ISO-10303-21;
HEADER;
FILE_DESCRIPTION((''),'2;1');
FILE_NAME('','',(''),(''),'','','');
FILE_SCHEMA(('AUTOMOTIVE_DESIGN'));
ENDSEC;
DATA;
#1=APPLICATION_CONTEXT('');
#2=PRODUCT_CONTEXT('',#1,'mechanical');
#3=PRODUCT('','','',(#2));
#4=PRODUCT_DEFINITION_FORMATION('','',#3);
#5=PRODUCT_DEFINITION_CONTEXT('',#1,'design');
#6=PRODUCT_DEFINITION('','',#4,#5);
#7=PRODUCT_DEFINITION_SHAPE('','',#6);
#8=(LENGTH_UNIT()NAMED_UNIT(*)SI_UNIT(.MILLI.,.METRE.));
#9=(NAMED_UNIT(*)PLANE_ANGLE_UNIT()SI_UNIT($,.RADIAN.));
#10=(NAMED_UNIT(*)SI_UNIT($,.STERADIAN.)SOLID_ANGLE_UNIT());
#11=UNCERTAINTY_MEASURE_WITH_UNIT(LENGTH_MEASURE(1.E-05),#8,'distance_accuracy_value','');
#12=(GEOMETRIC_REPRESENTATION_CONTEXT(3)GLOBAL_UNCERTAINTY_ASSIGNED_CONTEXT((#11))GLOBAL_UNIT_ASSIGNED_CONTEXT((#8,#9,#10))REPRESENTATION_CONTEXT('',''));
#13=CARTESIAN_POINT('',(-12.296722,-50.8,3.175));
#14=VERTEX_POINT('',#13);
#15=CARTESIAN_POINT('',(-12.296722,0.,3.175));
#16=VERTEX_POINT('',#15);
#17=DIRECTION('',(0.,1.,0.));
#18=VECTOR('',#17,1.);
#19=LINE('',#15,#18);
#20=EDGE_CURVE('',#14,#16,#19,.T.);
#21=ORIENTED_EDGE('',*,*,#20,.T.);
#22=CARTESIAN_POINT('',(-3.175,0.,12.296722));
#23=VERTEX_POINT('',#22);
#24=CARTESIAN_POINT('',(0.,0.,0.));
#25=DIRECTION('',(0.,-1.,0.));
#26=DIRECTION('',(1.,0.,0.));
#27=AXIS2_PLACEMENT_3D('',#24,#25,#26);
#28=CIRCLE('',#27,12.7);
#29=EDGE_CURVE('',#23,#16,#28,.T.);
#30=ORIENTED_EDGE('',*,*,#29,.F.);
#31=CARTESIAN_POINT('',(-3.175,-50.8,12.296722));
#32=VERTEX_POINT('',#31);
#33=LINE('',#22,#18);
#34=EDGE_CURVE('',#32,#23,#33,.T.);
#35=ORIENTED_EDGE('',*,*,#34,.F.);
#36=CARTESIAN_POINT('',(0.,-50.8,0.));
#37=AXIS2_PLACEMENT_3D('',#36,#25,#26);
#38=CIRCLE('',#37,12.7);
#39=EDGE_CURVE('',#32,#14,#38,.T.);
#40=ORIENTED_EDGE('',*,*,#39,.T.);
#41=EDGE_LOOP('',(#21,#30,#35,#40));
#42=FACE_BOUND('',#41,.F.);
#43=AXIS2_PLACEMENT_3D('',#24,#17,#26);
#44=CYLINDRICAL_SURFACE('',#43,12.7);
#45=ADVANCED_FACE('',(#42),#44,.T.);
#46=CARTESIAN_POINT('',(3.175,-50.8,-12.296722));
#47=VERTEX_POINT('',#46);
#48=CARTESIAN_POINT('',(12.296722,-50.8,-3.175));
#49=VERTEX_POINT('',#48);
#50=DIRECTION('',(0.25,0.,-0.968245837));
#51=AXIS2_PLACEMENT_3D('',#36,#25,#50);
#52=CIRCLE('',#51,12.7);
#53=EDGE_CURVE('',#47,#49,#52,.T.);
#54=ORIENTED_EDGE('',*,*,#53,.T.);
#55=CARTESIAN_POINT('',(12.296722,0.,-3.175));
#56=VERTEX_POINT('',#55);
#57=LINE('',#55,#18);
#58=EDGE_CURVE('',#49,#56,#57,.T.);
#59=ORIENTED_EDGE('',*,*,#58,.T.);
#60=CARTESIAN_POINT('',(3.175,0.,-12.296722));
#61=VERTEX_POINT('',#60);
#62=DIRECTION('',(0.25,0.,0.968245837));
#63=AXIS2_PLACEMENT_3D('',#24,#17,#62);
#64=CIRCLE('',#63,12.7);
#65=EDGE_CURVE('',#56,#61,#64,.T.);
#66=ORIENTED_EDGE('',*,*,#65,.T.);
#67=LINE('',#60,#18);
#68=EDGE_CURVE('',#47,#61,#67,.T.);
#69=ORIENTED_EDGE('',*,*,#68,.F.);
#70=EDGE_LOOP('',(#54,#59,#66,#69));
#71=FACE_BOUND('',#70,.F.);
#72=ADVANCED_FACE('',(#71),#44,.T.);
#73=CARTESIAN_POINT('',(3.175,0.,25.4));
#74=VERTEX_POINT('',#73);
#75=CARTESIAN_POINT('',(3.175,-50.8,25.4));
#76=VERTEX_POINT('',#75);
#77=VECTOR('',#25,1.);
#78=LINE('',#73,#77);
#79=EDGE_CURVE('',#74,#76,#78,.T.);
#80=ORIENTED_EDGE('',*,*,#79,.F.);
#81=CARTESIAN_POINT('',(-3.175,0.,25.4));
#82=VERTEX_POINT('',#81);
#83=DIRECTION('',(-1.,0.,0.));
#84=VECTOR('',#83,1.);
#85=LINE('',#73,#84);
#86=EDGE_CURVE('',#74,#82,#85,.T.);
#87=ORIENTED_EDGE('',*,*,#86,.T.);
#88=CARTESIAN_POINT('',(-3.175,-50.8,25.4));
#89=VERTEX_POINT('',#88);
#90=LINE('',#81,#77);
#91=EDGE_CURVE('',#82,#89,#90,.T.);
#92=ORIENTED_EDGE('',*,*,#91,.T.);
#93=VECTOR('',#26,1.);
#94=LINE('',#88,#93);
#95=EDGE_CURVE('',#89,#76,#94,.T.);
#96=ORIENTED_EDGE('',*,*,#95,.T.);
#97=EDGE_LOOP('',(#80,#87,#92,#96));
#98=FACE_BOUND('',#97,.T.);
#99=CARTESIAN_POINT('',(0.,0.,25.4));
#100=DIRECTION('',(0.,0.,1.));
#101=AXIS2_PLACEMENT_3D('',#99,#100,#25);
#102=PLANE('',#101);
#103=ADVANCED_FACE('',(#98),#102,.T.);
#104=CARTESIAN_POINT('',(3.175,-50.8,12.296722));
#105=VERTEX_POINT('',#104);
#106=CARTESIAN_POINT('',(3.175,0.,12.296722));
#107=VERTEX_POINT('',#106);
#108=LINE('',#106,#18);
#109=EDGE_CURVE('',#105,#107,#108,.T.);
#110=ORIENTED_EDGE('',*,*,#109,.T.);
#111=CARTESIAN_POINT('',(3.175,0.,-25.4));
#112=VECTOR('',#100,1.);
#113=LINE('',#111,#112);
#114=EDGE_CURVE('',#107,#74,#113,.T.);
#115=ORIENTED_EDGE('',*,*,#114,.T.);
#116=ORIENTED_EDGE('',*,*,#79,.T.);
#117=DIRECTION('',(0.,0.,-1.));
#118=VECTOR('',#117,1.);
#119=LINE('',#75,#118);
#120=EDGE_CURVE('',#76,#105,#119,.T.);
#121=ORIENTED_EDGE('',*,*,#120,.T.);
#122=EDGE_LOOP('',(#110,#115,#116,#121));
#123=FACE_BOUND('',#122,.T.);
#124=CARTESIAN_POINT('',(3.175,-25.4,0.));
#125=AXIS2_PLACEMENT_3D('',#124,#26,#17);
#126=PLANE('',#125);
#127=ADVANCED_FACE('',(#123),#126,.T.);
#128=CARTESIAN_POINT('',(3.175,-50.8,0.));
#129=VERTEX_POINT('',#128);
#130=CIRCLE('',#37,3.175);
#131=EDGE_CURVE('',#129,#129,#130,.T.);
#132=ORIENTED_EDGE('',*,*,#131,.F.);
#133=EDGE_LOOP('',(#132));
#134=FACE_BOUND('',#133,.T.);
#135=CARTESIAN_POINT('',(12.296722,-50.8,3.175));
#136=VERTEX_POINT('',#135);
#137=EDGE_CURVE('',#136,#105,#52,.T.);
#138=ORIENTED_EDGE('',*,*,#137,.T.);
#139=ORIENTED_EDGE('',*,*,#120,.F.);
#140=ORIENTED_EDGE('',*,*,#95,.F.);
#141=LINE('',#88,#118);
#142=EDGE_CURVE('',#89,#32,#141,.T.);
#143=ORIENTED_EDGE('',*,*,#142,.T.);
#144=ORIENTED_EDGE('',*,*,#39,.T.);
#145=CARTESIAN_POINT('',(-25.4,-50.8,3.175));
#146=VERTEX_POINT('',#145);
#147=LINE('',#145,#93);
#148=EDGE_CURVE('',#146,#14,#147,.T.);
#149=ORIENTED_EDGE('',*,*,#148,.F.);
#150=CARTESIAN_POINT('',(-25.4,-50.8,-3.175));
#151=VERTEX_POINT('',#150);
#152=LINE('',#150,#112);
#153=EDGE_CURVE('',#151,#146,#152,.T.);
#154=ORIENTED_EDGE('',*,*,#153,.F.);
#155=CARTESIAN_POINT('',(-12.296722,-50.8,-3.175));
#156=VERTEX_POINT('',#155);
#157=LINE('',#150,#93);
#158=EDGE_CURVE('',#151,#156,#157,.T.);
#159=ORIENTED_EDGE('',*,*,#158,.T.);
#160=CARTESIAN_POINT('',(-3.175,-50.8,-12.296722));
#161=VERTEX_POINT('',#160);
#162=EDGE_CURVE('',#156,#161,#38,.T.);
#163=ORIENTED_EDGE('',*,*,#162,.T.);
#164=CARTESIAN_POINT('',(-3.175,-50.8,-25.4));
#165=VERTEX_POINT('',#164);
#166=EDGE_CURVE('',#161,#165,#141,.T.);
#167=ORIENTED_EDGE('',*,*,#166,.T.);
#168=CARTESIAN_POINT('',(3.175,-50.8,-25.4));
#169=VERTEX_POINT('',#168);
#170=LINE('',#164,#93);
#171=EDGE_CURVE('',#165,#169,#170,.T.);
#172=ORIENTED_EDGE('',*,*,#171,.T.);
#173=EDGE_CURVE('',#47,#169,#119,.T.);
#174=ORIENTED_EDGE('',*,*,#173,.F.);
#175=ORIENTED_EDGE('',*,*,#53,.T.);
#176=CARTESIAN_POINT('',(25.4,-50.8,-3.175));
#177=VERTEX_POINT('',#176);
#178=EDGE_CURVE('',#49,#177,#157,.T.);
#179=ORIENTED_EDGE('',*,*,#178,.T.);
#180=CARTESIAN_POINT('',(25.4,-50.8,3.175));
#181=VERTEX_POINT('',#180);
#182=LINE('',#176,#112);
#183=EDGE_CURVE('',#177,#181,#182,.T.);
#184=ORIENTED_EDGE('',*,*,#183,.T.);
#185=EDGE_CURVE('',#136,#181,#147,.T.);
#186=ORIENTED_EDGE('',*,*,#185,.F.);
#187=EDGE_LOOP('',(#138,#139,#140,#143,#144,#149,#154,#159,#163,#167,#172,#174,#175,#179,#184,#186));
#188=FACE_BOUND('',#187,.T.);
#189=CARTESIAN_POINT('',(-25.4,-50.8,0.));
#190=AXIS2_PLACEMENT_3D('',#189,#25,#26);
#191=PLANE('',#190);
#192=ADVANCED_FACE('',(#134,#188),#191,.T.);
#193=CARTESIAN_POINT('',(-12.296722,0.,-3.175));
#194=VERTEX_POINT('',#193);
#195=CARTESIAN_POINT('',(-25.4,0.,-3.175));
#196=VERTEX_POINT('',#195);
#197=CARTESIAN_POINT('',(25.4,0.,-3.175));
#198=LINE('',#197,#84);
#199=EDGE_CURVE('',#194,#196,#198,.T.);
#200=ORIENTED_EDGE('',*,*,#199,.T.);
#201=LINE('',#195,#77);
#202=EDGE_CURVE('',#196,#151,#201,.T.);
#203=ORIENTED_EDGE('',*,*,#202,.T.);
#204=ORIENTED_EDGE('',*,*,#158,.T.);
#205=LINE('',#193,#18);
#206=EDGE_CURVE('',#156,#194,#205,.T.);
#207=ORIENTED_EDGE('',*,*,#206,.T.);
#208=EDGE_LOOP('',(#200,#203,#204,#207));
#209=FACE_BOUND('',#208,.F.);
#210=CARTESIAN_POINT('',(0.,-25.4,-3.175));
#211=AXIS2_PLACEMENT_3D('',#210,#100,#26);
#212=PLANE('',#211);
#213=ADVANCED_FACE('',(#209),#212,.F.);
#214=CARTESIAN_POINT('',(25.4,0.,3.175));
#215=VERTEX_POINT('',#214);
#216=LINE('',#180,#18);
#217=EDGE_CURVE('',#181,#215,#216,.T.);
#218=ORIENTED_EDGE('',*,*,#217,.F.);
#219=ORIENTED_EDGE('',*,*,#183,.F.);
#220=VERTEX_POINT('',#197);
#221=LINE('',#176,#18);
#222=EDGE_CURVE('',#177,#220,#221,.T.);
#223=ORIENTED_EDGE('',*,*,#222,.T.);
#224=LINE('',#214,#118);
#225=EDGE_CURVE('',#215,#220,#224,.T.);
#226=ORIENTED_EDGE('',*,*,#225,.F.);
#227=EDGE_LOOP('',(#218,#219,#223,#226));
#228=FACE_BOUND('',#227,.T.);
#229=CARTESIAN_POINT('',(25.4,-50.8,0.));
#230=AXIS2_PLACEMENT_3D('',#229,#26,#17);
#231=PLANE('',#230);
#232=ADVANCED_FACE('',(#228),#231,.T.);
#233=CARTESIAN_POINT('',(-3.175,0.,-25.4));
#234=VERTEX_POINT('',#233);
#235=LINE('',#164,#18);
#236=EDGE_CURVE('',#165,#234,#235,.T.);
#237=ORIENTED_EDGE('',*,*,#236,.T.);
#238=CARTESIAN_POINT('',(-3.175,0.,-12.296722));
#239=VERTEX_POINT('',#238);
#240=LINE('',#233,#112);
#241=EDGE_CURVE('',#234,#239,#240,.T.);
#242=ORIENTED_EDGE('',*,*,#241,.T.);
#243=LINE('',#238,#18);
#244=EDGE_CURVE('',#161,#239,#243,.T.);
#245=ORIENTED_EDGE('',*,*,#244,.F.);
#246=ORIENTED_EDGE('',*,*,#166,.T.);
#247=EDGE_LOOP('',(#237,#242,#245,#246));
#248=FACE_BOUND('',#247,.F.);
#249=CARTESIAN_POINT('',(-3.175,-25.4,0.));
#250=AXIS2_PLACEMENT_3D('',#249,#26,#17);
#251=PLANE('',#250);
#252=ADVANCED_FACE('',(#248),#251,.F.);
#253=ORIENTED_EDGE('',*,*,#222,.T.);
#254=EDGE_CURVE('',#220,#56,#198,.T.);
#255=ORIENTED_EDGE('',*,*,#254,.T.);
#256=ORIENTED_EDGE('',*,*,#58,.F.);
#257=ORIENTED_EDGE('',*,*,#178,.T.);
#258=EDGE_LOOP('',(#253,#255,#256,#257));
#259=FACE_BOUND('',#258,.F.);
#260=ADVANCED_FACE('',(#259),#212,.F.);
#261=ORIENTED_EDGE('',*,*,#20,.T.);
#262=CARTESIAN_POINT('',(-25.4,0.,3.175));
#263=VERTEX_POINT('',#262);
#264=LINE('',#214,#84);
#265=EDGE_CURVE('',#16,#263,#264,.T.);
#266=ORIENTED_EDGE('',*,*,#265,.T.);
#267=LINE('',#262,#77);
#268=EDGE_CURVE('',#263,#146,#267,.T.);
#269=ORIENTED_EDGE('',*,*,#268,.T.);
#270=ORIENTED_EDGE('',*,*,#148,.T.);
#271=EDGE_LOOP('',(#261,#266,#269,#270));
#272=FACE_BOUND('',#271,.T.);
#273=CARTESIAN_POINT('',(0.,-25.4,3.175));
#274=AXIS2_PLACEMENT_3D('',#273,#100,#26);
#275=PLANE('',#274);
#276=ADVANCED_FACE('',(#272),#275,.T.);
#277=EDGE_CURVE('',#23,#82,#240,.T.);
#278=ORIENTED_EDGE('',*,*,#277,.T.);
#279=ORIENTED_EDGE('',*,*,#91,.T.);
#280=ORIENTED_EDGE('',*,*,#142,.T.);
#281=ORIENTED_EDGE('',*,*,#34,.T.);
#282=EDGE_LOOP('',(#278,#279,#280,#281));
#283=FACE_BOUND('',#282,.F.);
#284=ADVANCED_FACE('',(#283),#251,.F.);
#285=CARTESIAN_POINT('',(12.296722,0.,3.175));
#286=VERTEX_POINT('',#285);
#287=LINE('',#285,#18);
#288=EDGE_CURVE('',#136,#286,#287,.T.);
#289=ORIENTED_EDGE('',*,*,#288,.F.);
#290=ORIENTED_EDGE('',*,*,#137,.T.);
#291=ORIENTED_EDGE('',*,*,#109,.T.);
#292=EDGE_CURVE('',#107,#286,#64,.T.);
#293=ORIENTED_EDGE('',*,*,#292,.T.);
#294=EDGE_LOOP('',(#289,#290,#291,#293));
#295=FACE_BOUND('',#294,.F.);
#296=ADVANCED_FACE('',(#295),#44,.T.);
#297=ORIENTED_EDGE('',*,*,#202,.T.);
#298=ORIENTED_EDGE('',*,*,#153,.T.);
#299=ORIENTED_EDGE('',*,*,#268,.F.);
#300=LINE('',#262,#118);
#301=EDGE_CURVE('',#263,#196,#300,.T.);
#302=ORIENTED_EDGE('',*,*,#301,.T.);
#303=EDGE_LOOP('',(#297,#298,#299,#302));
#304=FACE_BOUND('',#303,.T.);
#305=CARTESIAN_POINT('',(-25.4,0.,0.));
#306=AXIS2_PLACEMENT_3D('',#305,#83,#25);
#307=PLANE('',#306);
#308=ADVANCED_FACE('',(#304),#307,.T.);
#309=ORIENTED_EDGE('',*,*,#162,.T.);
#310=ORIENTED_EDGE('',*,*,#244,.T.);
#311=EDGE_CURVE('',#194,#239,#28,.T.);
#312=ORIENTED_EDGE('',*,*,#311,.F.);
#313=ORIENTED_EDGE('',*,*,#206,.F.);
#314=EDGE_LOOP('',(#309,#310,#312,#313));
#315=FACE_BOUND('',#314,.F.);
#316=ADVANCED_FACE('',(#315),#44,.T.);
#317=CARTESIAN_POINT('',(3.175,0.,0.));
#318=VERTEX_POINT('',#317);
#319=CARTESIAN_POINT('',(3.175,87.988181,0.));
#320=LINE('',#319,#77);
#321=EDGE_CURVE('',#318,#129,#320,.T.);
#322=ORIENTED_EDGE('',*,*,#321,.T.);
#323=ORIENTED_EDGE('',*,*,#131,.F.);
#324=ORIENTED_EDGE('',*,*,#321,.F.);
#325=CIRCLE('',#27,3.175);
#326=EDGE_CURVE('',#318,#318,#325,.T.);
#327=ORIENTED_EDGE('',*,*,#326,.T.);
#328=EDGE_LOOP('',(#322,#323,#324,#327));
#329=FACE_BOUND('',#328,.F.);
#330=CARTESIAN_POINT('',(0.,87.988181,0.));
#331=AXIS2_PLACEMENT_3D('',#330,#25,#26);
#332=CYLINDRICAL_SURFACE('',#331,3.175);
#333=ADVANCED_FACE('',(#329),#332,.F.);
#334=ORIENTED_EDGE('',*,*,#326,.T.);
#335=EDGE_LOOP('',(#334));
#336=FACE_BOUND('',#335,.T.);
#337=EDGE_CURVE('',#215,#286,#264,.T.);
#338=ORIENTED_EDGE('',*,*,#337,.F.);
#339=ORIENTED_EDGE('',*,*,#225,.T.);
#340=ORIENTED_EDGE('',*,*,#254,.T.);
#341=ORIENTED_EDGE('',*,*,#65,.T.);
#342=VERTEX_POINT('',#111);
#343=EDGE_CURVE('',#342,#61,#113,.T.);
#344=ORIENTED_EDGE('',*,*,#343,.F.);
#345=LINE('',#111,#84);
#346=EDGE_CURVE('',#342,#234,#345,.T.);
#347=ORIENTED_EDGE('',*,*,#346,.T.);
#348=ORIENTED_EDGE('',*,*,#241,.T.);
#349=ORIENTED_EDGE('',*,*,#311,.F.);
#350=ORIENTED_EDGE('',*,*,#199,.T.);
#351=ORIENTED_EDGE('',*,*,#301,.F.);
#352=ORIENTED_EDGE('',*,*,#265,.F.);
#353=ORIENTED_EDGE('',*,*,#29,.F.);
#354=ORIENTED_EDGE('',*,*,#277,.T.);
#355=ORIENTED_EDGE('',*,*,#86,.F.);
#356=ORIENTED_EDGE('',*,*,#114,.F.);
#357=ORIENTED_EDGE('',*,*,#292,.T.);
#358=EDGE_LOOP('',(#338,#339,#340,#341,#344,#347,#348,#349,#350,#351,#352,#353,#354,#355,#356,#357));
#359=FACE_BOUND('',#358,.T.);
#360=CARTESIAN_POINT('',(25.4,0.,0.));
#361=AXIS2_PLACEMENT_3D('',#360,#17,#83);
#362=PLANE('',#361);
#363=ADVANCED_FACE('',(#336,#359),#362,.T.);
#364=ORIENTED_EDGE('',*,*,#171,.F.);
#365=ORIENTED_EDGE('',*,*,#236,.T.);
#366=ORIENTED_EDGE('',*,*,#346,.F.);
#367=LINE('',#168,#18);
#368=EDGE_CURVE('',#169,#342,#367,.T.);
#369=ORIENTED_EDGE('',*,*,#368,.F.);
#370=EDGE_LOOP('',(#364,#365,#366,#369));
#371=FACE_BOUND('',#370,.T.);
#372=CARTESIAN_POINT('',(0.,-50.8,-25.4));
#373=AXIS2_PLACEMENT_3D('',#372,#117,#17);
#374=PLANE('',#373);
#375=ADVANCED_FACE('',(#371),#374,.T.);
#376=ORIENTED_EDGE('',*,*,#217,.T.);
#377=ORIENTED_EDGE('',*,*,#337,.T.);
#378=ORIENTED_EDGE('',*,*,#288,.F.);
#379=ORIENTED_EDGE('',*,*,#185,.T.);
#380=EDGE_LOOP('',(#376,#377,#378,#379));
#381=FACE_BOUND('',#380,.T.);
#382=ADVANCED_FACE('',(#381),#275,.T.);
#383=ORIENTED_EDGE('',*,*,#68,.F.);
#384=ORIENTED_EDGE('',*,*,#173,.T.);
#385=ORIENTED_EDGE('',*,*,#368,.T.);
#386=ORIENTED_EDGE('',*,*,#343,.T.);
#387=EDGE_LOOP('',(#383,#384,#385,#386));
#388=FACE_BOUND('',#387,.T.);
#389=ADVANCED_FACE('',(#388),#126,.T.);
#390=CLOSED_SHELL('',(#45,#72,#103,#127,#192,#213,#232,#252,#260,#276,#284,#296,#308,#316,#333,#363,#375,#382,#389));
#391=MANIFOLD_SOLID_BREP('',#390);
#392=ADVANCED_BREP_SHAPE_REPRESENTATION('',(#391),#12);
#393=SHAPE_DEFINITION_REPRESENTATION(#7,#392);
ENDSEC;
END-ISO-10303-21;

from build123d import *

# Parameters (mm, degrees)
F0_R     = 12.7
F1_DEPTH = 50.8
F3_DEPTH = 3.175
F5_DEPTH = 3.175
F7_D     = 6.35


with BuildPart() as f1:
    # F0 (on Front) → F1 (new body)
    with BuildSketch(Plane.XZ):
        Circle(F0_R)
    extrude(amount=F1_DEPTH)

    # F2 (on Right) → F3 (join, symmetric)
    with BuildSketch(Plane.YZ):
        Polygon((0, 0), (0, 25.4), (-50.8, 25.4), (-50.8, -25.4), (0, -25.4), align=None)
    extrude(amount=F3_DEPTH, both=True)

    # F4 (on Top) → F5 (join, symmetric)
    with BuildSketch(Plane.XY):
        Polygon((0, 0), (-25.4, 0), (-25.4, -50.8), (25.4, -50.8), (25.4, 0), align=None)
    extrude(amount=F5_DEPTH, both=True)

    # F7 (through all)
    with Locations(Plane(origin=(0, 0, 0), x_dir=(-1, 0, 0), z_dir=(0, 1, 0))):
        with Locations((0, 0)):
            Hole(F7_D / 2)


solid = f1.part
